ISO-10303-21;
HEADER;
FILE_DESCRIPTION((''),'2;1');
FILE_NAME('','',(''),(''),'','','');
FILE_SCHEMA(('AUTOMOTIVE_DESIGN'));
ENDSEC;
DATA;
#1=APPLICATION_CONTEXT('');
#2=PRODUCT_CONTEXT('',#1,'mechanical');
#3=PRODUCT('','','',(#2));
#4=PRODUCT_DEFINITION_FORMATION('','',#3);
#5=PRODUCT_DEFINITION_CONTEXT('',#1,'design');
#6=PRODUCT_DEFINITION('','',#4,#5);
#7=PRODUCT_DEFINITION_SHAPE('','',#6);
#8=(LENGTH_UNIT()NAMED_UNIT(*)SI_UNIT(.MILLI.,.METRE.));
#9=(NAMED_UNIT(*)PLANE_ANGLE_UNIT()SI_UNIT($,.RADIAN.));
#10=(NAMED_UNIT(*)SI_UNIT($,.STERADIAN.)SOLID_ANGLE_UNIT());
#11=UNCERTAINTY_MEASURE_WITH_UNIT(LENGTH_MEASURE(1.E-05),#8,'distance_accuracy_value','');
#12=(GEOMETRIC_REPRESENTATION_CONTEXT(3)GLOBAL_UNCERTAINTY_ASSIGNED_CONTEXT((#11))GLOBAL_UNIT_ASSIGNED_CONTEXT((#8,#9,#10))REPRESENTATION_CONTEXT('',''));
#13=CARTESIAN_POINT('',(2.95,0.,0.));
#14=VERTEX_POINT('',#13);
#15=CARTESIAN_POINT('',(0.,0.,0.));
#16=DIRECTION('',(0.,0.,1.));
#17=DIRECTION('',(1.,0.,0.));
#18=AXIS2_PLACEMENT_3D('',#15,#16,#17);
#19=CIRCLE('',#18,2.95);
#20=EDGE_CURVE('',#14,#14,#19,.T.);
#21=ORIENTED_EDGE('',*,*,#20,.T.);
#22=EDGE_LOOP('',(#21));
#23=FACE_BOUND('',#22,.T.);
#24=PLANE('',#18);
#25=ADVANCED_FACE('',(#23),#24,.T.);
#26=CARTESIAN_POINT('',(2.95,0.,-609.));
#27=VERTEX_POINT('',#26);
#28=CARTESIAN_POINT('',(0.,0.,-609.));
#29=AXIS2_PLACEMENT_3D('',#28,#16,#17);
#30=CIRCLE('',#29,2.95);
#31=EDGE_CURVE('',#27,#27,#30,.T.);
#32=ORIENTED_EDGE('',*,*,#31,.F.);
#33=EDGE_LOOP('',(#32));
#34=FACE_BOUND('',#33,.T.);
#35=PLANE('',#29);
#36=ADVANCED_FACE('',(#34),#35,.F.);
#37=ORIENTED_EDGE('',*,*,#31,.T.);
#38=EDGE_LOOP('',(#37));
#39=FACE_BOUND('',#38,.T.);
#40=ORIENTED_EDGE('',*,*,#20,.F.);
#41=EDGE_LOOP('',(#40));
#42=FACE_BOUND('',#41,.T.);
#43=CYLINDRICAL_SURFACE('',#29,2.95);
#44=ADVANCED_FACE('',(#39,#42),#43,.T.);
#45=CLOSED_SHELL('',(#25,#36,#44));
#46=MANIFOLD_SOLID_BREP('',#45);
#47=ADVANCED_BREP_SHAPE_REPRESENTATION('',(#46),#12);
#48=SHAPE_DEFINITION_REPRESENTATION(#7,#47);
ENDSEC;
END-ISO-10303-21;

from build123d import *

# Parameters (mm, degrees)
CROQUIS1_R              = 2.95
SALIENTE_EXTRUIR1_DEPTH = 609


with BuildPart() as part:
    # Croquis1 → Saliente-Extruir1 (new body)
    with BuildSketch(Plane.XY):
        Circle(CROQUIS1_R)
    extrude(amount=-SALIENTE_EXTRUIR1_DEPTH)


solid = part.part
